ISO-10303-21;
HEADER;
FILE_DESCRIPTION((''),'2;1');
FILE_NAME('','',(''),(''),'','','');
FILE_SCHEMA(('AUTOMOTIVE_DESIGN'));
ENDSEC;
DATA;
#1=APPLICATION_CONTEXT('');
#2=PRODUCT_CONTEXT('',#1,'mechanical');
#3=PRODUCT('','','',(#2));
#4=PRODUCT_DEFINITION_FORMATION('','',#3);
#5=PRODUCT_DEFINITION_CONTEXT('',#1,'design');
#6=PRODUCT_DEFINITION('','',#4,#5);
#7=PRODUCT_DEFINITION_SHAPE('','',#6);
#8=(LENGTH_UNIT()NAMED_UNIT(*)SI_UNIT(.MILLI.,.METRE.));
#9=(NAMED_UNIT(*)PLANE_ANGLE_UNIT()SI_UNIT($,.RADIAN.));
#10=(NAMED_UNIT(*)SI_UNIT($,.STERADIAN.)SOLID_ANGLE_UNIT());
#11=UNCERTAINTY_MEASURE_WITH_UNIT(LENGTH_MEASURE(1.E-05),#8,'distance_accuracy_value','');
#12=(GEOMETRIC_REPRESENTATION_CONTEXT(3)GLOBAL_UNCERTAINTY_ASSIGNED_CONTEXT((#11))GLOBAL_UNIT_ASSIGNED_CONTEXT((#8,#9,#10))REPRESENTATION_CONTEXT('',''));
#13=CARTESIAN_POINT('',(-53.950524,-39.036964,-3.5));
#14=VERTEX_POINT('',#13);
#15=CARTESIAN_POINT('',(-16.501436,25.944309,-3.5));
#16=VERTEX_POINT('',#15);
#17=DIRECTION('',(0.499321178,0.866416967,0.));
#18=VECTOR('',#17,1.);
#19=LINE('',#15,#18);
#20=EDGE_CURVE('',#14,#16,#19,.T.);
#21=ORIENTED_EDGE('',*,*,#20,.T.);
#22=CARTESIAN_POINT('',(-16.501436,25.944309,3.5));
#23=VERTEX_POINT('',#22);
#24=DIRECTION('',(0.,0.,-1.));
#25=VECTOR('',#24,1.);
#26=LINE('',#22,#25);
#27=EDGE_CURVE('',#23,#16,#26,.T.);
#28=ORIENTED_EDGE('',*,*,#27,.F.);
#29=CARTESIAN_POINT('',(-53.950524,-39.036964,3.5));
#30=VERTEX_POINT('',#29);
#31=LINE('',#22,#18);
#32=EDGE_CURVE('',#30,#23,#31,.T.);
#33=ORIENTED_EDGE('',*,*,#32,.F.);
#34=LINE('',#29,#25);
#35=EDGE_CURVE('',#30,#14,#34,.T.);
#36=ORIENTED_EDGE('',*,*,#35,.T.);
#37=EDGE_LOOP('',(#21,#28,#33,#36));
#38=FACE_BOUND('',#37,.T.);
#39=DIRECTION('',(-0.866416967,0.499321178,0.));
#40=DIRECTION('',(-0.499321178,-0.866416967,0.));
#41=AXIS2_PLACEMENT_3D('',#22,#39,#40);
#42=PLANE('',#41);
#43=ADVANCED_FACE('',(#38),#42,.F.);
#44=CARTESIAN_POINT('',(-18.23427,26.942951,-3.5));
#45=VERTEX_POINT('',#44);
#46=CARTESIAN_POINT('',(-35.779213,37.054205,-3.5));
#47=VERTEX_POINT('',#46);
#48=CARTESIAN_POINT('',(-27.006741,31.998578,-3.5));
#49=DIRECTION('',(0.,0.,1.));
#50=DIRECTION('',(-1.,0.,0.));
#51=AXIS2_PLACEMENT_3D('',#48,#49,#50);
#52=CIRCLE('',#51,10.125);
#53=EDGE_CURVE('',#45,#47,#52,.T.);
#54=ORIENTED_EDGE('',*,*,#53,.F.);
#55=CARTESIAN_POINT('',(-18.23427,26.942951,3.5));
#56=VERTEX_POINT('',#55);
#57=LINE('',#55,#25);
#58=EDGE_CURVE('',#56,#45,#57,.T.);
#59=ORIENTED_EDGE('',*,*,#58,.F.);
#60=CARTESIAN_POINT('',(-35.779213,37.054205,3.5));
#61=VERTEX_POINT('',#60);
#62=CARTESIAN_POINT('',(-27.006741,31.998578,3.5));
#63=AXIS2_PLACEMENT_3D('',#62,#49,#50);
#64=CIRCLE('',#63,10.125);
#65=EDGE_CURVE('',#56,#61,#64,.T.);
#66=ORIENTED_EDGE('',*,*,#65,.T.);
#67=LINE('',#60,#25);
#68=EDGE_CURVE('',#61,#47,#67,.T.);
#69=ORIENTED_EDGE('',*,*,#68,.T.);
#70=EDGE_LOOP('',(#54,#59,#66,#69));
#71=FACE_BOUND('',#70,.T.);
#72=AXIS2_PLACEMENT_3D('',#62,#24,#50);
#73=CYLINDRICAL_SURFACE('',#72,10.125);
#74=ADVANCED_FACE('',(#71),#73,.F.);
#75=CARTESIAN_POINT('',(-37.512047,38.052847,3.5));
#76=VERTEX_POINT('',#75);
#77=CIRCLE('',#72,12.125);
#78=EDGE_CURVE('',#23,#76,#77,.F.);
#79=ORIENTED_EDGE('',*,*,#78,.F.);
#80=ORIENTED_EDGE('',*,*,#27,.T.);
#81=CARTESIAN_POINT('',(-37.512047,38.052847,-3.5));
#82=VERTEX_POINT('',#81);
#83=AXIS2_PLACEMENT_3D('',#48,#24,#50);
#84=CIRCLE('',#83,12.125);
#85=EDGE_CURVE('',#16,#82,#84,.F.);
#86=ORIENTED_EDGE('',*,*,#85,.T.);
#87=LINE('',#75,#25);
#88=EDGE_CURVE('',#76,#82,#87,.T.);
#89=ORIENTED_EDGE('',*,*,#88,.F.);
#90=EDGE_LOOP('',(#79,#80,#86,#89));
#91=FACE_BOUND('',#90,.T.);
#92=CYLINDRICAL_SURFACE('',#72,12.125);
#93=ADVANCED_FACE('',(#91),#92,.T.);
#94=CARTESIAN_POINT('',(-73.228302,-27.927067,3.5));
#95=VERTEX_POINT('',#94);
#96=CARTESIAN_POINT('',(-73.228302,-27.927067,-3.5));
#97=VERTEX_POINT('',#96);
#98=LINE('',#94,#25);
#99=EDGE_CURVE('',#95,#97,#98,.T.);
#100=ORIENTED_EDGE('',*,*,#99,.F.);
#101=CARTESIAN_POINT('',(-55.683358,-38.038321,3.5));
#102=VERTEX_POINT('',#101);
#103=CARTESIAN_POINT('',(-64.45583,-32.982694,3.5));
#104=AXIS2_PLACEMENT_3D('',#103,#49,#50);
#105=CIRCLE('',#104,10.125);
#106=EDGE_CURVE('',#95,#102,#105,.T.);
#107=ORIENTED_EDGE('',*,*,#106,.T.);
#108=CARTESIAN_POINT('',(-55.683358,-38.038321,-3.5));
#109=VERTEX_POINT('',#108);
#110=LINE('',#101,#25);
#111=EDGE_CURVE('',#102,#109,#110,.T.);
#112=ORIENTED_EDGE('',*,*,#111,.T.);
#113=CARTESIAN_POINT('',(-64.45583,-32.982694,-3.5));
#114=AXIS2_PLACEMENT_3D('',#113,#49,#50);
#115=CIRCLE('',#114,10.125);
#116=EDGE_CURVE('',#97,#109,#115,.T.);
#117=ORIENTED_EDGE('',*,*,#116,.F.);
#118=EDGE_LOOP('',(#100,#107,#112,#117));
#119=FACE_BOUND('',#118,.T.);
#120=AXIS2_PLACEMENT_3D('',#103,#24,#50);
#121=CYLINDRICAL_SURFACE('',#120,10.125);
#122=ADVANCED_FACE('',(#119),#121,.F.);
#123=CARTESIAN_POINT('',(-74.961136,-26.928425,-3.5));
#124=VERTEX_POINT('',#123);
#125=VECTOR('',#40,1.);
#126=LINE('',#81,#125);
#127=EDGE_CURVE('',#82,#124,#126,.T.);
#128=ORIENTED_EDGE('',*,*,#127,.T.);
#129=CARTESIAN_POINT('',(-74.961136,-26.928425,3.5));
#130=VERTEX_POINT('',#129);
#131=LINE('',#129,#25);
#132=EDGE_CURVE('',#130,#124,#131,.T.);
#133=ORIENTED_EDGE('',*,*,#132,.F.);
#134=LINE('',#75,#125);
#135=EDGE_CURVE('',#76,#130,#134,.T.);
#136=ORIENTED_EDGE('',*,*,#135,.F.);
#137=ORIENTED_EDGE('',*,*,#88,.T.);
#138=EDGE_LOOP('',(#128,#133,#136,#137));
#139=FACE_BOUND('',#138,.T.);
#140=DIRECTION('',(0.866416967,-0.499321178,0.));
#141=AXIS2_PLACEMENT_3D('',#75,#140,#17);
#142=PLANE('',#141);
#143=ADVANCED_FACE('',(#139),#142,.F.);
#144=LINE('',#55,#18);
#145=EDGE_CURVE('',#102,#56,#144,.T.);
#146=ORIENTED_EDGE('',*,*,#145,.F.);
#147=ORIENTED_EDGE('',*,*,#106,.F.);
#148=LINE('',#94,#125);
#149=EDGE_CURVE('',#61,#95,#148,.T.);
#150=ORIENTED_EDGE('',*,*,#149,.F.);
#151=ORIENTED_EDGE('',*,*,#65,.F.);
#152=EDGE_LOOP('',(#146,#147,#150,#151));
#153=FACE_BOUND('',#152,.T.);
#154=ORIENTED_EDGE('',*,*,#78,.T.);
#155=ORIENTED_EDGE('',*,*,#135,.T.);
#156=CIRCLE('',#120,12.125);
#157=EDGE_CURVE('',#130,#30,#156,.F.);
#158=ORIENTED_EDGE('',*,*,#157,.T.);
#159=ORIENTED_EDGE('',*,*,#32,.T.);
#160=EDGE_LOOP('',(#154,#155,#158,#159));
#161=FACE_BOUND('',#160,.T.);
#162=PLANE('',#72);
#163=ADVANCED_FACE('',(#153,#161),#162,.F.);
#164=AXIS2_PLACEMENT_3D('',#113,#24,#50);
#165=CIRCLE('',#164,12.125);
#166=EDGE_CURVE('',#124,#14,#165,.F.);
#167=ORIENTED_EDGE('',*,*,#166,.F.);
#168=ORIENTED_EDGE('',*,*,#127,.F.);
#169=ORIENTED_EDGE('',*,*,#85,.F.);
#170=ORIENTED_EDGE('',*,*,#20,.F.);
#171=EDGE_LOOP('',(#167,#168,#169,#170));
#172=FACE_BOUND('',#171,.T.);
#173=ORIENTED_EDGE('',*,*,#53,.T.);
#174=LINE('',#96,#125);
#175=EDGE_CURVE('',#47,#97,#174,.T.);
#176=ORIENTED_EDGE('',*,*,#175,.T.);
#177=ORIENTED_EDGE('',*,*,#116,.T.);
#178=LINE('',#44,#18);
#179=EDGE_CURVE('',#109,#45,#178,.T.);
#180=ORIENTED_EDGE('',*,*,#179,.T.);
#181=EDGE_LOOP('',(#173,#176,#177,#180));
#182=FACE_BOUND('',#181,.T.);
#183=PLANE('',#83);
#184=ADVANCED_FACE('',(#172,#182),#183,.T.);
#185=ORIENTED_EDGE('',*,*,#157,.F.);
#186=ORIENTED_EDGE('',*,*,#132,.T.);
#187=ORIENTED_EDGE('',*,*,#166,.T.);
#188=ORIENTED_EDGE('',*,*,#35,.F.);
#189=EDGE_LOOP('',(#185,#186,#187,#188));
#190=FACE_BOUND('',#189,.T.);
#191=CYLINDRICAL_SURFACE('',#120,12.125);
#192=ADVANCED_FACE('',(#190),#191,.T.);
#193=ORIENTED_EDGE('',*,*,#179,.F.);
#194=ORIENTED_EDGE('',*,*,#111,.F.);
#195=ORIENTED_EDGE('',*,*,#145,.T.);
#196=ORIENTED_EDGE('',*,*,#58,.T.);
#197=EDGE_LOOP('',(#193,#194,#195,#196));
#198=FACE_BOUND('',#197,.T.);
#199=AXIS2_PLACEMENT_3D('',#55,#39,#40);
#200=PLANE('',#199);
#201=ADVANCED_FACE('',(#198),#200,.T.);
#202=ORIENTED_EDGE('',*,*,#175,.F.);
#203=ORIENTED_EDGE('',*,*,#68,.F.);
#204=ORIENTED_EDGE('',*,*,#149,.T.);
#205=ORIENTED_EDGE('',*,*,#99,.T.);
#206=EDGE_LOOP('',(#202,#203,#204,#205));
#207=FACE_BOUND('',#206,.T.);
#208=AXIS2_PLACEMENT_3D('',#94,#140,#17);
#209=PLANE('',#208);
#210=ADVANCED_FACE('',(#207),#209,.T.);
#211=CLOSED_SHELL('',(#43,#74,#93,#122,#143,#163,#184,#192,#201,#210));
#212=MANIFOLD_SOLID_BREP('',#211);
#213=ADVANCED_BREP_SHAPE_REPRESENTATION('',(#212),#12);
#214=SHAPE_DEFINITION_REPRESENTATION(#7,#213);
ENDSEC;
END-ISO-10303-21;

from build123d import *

# Parameters (mm, degrees)
EXTRUDE_1_DEPTH = 3.5


with BuildPart() as part:
    # 草图2 → 拉伸-薄壁1 (new, symmetric)
    with BuildSketch(Plane.XY):
        with BuildLine():
            Line((-74.961135512, -26.92842507), (-37.512047152, 38.052847471))
            ThreePointArc((-37.512047152, 38.052847471), (-20.95247214, 42.503883914), (-16.501435697, 25.944308902))
            Line((-16.501435697, 25.944308902), (-53.950524057, -39.036963639))
            ThreePointArc((-53.950524057, -39.036963639), (-70.510099069, -43.488000082), (-74.961135512, -26.92842507))
        make_face()
        with BuildLine():
            Line((-73.228301577, -27.927067426), (-35.779213218, 37.054205115))
            ThreePointArc((-35.779213218, 37.054205115), (-21.951114496, 40.77104998), (-18.234269632, 26.942951258))
            Line((-18.234269632, 26.942951258), (-55.683357991, -38.038321283))
            ThreePointArc((-55.683357991, -38.038321283), (-69.511456713, -41.755166147), (-73.228301577, -27.927067426))
        make_face(mode=Mode.SUBTRACT)
    extrude(amount=EXTRUDE_1_DEPTH, both=True)


solid = part.part
